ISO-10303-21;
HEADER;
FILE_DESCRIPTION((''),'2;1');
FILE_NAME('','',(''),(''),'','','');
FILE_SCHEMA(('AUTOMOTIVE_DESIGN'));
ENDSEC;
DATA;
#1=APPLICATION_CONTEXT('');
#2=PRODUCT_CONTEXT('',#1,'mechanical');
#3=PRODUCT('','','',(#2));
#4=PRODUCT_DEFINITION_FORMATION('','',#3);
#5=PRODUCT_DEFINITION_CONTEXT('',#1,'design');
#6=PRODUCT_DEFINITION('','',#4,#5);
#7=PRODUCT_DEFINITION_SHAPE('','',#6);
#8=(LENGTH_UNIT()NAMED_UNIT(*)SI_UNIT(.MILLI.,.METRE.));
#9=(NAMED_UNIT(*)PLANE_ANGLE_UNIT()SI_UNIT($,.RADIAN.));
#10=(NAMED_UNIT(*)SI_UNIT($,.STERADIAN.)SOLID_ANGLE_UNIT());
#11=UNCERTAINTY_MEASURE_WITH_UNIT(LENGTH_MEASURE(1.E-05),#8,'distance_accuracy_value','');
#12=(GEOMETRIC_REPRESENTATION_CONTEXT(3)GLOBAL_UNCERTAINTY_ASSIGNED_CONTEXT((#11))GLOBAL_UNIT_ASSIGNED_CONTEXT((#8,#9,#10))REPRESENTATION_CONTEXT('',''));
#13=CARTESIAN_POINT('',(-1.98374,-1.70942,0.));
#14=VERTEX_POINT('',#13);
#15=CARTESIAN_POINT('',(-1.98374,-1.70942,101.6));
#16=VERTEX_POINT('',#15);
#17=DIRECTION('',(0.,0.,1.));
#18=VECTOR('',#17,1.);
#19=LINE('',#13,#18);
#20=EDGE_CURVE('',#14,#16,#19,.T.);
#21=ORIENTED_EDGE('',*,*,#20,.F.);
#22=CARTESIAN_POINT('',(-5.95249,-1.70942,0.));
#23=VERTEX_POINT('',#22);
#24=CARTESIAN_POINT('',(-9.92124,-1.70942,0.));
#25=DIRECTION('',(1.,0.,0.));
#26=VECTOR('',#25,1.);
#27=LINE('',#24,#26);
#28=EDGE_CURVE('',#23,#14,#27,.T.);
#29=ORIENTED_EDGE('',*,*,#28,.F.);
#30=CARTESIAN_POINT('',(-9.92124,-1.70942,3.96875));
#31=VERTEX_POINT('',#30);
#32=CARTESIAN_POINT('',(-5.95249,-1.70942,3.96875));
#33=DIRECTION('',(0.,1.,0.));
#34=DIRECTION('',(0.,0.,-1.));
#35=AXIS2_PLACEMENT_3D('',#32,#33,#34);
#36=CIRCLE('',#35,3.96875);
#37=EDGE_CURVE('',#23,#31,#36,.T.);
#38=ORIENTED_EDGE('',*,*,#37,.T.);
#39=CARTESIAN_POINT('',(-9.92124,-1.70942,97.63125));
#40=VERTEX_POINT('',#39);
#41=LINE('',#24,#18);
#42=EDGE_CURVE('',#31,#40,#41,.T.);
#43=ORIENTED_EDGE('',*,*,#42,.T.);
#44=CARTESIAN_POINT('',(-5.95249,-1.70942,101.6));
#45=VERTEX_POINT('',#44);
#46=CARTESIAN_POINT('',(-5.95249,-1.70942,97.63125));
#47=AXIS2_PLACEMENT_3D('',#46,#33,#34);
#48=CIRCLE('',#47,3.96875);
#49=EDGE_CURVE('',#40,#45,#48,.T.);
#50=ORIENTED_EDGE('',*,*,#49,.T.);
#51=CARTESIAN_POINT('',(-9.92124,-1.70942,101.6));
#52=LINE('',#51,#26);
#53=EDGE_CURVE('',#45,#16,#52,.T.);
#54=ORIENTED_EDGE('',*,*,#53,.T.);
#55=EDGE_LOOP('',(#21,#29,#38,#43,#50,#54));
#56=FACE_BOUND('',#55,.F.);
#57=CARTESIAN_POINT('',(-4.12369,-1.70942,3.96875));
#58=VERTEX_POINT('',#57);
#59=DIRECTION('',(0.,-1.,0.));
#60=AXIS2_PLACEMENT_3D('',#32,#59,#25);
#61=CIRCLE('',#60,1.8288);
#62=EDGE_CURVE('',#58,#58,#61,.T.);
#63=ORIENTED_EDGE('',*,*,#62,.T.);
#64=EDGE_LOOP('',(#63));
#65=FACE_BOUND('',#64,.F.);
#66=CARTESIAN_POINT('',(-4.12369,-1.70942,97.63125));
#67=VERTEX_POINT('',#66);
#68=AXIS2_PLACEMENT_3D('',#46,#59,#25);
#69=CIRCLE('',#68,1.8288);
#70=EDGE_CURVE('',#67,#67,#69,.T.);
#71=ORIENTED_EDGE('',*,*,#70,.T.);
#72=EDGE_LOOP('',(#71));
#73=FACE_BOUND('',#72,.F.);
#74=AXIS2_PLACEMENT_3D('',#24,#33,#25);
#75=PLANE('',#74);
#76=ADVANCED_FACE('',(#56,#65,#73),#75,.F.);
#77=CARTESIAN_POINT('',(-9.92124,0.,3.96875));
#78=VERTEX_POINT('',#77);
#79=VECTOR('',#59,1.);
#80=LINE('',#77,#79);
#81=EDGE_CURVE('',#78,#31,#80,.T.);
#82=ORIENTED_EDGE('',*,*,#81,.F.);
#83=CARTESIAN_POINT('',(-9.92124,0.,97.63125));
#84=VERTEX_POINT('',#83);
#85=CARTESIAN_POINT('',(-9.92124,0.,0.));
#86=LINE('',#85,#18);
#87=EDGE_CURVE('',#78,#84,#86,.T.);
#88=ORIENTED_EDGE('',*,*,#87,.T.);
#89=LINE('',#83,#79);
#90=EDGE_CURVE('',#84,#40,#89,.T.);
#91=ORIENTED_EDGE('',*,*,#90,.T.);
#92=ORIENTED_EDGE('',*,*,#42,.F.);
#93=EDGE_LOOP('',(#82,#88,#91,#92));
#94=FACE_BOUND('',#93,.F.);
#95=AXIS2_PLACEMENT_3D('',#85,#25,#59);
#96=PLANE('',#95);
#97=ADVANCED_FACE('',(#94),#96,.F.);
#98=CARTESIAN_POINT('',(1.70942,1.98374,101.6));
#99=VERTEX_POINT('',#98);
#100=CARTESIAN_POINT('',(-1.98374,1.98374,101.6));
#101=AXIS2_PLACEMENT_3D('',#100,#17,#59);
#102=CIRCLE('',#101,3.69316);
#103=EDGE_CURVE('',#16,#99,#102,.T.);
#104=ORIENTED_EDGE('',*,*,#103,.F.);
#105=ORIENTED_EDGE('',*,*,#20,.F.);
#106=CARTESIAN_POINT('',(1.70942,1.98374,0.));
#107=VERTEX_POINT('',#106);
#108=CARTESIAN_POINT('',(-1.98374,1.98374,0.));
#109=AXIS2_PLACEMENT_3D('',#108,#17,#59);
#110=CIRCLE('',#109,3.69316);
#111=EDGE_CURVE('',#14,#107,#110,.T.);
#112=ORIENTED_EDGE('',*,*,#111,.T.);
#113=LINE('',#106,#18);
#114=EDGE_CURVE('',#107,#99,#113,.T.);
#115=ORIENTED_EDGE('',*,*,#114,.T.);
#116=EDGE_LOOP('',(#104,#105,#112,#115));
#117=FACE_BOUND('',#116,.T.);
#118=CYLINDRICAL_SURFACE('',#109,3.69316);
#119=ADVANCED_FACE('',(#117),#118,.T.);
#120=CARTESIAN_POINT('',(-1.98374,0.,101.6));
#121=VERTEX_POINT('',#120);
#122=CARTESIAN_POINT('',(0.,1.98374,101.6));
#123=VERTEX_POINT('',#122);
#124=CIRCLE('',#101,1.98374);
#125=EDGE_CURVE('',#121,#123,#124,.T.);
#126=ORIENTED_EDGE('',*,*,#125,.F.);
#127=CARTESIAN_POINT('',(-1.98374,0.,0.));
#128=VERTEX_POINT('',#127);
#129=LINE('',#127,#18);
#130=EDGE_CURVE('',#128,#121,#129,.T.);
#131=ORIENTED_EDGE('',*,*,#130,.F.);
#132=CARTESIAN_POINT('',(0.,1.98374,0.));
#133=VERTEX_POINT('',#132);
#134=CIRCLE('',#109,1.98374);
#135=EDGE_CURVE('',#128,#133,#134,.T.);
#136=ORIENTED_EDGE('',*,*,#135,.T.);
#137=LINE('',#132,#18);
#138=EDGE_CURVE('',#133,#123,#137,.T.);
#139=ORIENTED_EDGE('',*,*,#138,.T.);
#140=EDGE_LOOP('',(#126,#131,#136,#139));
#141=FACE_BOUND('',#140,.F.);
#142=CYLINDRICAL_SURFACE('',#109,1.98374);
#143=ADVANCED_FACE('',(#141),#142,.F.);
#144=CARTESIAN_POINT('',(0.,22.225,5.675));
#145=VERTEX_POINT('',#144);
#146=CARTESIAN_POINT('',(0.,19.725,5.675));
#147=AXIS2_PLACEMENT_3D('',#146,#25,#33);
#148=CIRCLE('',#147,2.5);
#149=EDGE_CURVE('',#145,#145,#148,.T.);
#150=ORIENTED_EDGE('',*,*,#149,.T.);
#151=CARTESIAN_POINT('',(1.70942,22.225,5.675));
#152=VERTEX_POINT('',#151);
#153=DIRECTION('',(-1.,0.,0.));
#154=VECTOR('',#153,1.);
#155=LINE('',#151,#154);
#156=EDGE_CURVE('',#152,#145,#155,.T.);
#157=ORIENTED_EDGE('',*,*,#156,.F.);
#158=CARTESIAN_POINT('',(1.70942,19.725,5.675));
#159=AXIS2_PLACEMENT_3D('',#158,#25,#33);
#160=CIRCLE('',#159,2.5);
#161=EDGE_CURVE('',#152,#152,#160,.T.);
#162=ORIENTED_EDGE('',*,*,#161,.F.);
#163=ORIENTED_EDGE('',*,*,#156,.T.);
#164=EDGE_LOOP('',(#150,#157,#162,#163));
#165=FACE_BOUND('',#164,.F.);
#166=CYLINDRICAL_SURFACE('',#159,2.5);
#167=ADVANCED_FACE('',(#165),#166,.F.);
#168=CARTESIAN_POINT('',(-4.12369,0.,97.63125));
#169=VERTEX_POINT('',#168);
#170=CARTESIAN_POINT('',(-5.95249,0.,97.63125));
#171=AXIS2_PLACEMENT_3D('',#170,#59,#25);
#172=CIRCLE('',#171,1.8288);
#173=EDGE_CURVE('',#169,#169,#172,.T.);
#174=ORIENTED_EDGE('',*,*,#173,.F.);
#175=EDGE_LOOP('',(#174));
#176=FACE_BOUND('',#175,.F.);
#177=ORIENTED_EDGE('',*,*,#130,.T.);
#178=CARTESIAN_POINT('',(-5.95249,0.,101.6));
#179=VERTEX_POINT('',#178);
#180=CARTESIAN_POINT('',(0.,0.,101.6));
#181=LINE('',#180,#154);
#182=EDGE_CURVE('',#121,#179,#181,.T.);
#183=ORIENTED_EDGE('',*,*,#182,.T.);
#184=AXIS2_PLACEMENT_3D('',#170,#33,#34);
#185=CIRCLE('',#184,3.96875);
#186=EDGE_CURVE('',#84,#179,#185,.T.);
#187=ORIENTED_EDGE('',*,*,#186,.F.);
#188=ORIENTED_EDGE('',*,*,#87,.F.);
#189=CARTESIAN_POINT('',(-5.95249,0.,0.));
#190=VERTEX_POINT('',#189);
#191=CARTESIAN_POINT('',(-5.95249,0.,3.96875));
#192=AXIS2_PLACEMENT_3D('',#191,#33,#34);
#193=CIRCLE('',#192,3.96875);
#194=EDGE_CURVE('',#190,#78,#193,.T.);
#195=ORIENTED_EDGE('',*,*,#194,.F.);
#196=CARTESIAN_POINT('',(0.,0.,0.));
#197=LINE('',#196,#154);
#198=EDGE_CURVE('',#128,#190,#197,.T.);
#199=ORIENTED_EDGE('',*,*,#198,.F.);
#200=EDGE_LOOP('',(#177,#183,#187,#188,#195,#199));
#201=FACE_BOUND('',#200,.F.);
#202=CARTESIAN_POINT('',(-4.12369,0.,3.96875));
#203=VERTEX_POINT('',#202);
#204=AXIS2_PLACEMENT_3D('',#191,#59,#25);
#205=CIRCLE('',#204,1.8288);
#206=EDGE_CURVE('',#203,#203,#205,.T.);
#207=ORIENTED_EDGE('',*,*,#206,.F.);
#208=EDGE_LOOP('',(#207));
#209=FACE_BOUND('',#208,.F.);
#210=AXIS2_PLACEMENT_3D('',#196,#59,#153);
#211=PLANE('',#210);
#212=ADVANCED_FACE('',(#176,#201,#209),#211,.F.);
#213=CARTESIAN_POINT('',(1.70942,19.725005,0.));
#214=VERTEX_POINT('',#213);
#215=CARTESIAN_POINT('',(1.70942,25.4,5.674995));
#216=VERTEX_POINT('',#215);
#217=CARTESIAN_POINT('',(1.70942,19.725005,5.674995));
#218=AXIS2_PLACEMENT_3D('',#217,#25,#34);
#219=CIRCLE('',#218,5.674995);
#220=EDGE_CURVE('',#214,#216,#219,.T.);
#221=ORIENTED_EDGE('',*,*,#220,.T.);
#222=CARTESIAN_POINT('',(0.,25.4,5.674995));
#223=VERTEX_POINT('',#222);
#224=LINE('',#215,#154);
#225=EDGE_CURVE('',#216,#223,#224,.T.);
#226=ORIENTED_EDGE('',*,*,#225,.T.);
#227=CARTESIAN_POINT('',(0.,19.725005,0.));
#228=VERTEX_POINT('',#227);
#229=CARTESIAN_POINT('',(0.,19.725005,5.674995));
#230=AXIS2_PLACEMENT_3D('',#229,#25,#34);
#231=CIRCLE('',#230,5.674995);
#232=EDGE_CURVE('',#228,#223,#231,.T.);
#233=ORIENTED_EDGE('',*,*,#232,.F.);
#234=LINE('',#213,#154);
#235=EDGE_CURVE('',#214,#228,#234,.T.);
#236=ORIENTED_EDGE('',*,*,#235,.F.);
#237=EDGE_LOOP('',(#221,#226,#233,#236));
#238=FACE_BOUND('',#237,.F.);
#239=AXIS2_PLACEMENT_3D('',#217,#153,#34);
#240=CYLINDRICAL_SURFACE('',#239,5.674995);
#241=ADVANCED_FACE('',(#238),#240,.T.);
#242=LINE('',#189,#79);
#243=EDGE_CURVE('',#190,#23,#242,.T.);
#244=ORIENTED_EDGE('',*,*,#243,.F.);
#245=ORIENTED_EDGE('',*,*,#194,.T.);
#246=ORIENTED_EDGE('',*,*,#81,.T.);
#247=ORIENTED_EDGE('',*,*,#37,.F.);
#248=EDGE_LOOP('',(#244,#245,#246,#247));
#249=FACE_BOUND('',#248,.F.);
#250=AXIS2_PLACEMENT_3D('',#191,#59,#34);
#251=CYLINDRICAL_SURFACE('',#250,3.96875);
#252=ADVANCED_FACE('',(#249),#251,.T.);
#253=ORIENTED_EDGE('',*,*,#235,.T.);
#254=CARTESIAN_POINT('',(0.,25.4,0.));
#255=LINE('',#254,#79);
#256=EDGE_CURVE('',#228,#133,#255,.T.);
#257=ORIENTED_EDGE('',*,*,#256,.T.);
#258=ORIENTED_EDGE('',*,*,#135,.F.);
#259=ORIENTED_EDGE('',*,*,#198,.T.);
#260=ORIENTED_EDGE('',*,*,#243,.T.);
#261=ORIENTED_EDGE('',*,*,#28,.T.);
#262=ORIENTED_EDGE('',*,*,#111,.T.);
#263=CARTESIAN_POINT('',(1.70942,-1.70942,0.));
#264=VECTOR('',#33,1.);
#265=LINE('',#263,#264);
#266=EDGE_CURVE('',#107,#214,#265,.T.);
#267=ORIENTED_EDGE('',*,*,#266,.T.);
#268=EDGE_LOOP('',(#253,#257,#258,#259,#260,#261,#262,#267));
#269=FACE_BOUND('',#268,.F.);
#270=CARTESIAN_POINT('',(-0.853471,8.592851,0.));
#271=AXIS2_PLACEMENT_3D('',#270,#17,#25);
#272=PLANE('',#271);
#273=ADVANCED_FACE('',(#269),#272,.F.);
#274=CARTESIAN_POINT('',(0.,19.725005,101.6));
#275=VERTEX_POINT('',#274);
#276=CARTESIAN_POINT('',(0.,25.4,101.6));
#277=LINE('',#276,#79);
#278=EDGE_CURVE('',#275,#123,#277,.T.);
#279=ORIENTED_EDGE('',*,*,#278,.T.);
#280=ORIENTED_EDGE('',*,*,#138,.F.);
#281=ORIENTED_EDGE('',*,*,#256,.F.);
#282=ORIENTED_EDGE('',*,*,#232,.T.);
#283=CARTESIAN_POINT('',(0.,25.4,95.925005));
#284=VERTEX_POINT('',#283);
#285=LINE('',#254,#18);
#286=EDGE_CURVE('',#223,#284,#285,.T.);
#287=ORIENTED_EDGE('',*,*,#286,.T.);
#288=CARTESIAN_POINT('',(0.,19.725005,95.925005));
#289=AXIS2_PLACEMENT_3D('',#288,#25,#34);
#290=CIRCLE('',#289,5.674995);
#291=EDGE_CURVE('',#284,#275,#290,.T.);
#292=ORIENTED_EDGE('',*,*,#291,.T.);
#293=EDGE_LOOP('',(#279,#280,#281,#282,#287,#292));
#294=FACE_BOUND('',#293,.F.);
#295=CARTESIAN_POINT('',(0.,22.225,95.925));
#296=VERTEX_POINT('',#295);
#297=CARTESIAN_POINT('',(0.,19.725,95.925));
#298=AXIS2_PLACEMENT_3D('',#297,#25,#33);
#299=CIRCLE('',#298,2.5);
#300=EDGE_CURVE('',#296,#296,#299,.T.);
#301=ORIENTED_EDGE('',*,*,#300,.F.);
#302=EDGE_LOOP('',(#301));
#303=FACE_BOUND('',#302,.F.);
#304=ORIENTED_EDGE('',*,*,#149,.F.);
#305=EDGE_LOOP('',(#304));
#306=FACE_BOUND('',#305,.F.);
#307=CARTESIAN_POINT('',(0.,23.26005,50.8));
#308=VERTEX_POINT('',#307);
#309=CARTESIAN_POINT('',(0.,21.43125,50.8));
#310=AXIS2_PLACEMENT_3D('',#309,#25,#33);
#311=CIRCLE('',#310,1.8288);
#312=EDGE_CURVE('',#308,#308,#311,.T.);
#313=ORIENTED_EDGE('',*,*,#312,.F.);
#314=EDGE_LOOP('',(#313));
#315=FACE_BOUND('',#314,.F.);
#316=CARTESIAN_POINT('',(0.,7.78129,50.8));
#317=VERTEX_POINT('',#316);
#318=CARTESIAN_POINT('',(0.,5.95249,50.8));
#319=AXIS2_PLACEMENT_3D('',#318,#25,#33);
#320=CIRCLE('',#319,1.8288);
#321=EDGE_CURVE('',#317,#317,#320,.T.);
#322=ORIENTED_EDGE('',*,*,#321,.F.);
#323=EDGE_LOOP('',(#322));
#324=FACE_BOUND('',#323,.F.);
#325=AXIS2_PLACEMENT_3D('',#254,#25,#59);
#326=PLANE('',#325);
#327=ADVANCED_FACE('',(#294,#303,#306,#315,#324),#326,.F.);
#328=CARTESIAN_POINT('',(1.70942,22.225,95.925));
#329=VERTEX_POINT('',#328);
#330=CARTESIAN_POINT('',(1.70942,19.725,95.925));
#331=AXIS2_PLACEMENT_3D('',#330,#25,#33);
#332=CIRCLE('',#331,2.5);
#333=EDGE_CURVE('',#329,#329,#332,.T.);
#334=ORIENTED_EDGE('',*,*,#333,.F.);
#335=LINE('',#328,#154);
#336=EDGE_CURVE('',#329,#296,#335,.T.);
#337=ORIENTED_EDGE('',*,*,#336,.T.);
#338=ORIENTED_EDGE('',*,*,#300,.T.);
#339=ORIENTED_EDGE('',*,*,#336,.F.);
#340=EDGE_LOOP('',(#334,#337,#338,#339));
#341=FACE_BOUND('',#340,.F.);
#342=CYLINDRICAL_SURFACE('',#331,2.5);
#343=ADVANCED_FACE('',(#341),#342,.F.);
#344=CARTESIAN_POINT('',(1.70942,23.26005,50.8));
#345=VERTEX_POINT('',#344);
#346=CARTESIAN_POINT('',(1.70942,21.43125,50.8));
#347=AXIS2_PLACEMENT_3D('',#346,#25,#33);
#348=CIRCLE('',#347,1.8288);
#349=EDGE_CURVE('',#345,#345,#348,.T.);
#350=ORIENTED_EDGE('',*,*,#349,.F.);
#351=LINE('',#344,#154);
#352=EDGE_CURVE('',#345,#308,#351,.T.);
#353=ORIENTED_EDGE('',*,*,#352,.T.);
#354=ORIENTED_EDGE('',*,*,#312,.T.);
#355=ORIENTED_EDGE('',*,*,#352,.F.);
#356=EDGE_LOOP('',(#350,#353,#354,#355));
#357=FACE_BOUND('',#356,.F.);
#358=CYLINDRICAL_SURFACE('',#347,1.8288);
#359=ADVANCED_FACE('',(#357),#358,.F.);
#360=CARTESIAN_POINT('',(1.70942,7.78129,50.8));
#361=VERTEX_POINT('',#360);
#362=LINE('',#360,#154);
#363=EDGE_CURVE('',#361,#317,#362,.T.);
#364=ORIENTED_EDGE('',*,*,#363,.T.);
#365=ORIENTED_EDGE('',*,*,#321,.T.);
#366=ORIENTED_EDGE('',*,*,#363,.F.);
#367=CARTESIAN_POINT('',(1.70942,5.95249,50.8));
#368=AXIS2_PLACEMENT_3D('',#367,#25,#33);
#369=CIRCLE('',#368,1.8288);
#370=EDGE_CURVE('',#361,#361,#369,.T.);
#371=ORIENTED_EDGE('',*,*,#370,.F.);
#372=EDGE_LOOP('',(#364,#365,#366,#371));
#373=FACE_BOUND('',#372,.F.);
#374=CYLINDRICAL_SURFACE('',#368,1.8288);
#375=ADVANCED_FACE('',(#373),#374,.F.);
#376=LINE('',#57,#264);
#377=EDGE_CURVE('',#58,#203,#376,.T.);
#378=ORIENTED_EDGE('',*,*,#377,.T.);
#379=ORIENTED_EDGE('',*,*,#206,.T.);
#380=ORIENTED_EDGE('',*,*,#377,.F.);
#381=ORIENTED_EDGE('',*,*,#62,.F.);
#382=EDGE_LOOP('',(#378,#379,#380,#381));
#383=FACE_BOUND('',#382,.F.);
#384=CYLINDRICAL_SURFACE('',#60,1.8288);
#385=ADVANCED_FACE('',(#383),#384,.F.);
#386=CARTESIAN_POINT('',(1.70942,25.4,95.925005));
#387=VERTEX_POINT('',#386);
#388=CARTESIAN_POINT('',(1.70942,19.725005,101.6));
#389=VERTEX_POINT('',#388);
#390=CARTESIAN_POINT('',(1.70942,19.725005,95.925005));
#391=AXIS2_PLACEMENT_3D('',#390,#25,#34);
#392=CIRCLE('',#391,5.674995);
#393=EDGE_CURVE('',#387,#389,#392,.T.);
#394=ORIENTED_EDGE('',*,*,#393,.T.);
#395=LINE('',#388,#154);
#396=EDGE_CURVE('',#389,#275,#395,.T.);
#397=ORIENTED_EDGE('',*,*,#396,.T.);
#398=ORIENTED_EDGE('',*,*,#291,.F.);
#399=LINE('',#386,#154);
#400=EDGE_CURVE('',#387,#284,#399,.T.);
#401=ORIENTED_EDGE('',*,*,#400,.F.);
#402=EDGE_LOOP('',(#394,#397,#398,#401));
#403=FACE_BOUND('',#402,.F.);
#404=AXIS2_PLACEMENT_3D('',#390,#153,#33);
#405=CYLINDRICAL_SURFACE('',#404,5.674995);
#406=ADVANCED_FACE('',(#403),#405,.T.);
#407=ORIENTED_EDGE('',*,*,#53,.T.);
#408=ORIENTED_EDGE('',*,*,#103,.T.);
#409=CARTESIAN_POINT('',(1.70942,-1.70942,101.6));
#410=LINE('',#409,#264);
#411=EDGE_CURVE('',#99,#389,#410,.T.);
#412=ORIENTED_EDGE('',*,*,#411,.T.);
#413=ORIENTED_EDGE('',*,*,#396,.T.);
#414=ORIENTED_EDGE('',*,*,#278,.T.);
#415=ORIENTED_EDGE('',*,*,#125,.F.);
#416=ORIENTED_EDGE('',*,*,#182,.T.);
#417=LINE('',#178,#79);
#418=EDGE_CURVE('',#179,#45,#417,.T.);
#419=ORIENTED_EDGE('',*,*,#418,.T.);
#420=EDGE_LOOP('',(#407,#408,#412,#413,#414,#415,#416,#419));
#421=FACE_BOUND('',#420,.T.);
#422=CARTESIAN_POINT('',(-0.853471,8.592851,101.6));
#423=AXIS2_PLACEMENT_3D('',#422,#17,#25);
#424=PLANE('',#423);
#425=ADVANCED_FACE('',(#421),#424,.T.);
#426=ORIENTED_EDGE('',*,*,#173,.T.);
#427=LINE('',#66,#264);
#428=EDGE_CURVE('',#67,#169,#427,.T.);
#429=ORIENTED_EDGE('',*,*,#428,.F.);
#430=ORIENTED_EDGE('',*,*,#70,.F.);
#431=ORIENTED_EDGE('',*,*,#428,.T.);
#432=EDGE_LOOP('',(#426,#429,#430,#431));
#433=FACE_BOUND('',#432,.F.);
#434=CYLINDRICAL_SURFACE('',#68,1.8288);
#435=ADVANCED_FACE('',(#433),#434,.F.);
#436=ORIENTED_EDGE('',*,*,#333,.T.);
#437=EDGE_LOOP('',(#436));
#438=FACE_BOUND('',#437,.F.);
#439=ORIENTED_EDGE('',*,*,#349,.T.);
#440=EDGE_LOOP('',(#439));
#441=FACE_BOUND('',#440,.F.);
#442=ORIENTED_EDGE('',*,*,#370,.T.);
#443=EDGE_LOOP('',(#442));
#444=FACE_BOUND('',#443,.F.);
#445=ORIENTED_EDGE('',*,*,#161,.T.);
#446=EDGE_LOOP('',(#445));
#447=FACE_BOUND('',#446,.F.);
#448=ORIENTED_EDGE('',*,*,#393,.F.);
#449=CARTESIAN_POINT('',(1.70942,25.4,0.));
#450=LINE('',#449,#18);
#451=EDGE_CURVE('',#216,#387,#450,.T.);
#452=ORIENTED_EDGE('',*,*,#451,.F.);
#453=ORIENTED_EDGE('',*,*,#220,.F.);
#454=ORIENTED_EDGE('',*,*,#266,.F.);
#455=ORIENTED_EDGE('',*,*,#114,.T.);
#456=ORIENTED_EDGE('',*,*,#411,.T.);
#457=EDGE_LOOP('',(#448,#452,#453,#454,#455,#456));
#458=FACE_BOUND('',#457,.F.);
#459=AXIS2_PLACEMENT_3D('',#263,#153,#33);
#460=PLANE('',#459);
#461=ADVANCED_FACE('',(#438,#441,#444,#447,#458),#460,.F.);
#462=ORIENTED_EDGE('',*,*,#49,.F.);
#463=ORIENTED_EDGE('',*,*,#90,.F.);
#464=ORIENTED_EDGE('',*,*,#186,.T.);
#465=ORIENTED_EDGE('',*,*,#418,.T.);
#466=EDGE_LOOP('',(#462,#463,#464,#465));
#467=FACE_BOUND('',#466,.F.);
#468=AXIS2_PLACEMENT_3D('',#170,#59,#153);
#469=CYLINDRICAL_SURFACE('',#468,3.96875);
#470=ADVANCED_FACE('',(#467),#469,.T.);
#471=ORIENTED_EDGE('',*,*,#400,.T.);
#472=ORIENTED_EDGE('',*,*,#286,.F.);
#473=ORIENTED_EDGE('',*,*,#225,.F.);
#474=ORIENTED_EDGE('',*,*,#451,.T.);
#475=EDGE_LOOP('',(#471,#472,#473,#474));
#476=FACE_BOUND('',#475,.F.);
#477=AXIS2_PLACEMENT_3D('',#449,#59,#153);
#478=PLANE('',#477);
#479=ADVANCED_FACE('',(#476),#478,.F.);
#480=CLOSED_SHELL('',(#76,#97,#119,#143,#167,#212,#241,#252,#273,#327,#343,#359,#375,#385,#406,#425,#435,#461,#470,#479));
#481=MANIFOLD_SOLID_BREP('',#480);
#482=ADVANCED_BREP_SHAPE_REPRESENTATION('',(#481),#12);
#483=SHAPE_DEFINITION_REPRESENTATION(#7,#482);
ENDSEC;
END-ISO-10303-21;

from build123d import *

# Parameters (mm, degrees)
F1_DEPTH = 101.6
F2_R     = 3.69316
F3_R     = 1.98374
F4_R     = 1.8288
F4_R_2   = 2.5
F5_DEPTH = 1.70942
F6_R     = 5.674995
F7_R     = 3.96875
F8_R     = 1.8288
F9_DEPTH = 1.70942


with BuildPart() as f1:
    # F0 (on Top) → F1 (new body)
    with BuildSketch(Plane.XY):
        Polygon((0, 25.4), (0, 0), (-9.92124, 0), (-9.92124, -1.70942), (1.70942, -1.70942), (1.70942, 25.4), align=None)
    extrude(amount=F1_DEPTH)

    # F2
    f2_edges = [f1.edges().sort_by_distance(p)[0] for p in [
        (1.70942, -1.70942, 50.8),
    ]]
    fillet(f2_edges, radius=F2_R)

    # F3
    f3_edges = [f1.edges().sort_by_distance(p)[0] for p in [
        (0, 0, 50.8),
    ]]
    fillet(f3_edges, radius=F3_R)

    # F4 (on face) → F5 (cut, through all)
    with BuildSketch(Plane.YZ.offset(1.70942)):
        with Locations((21.43125, 50.8)):
            Circle(F4_R)
        with Locations((5.95249, 50.8)):
            Circle(F4_R)
        with Locations((19.725, 95.925)):
            Circle(F4_R_2)
        with Locations((19.725, 5.675)):
            Circle(F4_R_2)
    extrude(amount=-F5_DEPTH, mode=Mode.SUBTRACT)

    # F6
    f6_edges = [f1.edges().sort_by_distance(p)[0] for p in [
        (0.85471, 25.4, 101.6),
        (0.85471, 25.4, 0),
    ]]
    fillet(f6_edges, radius=F6_R)

    # F7
    f7_edges = [f1.edges().sort_by_distance(p)[0] for p in [
        (-9.92124, -0.85471, 0),
        (-9.92124, -0.85471, 101.6),
    ]]
    fillet(f7_edges, radius=F7_R)

    # F8 (on face) → F9 (cut, through all)
    with BuildSketch(Plane.XZ.offset(1.70942)):
        with Locations((-5.95249, 97.63125)):
            Circle(F8_R)
        with Locations((-5.95249, 3.96875)):
            Circle(F8_R)
    extrude(amount=-F9_DEPTH, mode=Mode.SUBTRACT)


solid = f1.part
